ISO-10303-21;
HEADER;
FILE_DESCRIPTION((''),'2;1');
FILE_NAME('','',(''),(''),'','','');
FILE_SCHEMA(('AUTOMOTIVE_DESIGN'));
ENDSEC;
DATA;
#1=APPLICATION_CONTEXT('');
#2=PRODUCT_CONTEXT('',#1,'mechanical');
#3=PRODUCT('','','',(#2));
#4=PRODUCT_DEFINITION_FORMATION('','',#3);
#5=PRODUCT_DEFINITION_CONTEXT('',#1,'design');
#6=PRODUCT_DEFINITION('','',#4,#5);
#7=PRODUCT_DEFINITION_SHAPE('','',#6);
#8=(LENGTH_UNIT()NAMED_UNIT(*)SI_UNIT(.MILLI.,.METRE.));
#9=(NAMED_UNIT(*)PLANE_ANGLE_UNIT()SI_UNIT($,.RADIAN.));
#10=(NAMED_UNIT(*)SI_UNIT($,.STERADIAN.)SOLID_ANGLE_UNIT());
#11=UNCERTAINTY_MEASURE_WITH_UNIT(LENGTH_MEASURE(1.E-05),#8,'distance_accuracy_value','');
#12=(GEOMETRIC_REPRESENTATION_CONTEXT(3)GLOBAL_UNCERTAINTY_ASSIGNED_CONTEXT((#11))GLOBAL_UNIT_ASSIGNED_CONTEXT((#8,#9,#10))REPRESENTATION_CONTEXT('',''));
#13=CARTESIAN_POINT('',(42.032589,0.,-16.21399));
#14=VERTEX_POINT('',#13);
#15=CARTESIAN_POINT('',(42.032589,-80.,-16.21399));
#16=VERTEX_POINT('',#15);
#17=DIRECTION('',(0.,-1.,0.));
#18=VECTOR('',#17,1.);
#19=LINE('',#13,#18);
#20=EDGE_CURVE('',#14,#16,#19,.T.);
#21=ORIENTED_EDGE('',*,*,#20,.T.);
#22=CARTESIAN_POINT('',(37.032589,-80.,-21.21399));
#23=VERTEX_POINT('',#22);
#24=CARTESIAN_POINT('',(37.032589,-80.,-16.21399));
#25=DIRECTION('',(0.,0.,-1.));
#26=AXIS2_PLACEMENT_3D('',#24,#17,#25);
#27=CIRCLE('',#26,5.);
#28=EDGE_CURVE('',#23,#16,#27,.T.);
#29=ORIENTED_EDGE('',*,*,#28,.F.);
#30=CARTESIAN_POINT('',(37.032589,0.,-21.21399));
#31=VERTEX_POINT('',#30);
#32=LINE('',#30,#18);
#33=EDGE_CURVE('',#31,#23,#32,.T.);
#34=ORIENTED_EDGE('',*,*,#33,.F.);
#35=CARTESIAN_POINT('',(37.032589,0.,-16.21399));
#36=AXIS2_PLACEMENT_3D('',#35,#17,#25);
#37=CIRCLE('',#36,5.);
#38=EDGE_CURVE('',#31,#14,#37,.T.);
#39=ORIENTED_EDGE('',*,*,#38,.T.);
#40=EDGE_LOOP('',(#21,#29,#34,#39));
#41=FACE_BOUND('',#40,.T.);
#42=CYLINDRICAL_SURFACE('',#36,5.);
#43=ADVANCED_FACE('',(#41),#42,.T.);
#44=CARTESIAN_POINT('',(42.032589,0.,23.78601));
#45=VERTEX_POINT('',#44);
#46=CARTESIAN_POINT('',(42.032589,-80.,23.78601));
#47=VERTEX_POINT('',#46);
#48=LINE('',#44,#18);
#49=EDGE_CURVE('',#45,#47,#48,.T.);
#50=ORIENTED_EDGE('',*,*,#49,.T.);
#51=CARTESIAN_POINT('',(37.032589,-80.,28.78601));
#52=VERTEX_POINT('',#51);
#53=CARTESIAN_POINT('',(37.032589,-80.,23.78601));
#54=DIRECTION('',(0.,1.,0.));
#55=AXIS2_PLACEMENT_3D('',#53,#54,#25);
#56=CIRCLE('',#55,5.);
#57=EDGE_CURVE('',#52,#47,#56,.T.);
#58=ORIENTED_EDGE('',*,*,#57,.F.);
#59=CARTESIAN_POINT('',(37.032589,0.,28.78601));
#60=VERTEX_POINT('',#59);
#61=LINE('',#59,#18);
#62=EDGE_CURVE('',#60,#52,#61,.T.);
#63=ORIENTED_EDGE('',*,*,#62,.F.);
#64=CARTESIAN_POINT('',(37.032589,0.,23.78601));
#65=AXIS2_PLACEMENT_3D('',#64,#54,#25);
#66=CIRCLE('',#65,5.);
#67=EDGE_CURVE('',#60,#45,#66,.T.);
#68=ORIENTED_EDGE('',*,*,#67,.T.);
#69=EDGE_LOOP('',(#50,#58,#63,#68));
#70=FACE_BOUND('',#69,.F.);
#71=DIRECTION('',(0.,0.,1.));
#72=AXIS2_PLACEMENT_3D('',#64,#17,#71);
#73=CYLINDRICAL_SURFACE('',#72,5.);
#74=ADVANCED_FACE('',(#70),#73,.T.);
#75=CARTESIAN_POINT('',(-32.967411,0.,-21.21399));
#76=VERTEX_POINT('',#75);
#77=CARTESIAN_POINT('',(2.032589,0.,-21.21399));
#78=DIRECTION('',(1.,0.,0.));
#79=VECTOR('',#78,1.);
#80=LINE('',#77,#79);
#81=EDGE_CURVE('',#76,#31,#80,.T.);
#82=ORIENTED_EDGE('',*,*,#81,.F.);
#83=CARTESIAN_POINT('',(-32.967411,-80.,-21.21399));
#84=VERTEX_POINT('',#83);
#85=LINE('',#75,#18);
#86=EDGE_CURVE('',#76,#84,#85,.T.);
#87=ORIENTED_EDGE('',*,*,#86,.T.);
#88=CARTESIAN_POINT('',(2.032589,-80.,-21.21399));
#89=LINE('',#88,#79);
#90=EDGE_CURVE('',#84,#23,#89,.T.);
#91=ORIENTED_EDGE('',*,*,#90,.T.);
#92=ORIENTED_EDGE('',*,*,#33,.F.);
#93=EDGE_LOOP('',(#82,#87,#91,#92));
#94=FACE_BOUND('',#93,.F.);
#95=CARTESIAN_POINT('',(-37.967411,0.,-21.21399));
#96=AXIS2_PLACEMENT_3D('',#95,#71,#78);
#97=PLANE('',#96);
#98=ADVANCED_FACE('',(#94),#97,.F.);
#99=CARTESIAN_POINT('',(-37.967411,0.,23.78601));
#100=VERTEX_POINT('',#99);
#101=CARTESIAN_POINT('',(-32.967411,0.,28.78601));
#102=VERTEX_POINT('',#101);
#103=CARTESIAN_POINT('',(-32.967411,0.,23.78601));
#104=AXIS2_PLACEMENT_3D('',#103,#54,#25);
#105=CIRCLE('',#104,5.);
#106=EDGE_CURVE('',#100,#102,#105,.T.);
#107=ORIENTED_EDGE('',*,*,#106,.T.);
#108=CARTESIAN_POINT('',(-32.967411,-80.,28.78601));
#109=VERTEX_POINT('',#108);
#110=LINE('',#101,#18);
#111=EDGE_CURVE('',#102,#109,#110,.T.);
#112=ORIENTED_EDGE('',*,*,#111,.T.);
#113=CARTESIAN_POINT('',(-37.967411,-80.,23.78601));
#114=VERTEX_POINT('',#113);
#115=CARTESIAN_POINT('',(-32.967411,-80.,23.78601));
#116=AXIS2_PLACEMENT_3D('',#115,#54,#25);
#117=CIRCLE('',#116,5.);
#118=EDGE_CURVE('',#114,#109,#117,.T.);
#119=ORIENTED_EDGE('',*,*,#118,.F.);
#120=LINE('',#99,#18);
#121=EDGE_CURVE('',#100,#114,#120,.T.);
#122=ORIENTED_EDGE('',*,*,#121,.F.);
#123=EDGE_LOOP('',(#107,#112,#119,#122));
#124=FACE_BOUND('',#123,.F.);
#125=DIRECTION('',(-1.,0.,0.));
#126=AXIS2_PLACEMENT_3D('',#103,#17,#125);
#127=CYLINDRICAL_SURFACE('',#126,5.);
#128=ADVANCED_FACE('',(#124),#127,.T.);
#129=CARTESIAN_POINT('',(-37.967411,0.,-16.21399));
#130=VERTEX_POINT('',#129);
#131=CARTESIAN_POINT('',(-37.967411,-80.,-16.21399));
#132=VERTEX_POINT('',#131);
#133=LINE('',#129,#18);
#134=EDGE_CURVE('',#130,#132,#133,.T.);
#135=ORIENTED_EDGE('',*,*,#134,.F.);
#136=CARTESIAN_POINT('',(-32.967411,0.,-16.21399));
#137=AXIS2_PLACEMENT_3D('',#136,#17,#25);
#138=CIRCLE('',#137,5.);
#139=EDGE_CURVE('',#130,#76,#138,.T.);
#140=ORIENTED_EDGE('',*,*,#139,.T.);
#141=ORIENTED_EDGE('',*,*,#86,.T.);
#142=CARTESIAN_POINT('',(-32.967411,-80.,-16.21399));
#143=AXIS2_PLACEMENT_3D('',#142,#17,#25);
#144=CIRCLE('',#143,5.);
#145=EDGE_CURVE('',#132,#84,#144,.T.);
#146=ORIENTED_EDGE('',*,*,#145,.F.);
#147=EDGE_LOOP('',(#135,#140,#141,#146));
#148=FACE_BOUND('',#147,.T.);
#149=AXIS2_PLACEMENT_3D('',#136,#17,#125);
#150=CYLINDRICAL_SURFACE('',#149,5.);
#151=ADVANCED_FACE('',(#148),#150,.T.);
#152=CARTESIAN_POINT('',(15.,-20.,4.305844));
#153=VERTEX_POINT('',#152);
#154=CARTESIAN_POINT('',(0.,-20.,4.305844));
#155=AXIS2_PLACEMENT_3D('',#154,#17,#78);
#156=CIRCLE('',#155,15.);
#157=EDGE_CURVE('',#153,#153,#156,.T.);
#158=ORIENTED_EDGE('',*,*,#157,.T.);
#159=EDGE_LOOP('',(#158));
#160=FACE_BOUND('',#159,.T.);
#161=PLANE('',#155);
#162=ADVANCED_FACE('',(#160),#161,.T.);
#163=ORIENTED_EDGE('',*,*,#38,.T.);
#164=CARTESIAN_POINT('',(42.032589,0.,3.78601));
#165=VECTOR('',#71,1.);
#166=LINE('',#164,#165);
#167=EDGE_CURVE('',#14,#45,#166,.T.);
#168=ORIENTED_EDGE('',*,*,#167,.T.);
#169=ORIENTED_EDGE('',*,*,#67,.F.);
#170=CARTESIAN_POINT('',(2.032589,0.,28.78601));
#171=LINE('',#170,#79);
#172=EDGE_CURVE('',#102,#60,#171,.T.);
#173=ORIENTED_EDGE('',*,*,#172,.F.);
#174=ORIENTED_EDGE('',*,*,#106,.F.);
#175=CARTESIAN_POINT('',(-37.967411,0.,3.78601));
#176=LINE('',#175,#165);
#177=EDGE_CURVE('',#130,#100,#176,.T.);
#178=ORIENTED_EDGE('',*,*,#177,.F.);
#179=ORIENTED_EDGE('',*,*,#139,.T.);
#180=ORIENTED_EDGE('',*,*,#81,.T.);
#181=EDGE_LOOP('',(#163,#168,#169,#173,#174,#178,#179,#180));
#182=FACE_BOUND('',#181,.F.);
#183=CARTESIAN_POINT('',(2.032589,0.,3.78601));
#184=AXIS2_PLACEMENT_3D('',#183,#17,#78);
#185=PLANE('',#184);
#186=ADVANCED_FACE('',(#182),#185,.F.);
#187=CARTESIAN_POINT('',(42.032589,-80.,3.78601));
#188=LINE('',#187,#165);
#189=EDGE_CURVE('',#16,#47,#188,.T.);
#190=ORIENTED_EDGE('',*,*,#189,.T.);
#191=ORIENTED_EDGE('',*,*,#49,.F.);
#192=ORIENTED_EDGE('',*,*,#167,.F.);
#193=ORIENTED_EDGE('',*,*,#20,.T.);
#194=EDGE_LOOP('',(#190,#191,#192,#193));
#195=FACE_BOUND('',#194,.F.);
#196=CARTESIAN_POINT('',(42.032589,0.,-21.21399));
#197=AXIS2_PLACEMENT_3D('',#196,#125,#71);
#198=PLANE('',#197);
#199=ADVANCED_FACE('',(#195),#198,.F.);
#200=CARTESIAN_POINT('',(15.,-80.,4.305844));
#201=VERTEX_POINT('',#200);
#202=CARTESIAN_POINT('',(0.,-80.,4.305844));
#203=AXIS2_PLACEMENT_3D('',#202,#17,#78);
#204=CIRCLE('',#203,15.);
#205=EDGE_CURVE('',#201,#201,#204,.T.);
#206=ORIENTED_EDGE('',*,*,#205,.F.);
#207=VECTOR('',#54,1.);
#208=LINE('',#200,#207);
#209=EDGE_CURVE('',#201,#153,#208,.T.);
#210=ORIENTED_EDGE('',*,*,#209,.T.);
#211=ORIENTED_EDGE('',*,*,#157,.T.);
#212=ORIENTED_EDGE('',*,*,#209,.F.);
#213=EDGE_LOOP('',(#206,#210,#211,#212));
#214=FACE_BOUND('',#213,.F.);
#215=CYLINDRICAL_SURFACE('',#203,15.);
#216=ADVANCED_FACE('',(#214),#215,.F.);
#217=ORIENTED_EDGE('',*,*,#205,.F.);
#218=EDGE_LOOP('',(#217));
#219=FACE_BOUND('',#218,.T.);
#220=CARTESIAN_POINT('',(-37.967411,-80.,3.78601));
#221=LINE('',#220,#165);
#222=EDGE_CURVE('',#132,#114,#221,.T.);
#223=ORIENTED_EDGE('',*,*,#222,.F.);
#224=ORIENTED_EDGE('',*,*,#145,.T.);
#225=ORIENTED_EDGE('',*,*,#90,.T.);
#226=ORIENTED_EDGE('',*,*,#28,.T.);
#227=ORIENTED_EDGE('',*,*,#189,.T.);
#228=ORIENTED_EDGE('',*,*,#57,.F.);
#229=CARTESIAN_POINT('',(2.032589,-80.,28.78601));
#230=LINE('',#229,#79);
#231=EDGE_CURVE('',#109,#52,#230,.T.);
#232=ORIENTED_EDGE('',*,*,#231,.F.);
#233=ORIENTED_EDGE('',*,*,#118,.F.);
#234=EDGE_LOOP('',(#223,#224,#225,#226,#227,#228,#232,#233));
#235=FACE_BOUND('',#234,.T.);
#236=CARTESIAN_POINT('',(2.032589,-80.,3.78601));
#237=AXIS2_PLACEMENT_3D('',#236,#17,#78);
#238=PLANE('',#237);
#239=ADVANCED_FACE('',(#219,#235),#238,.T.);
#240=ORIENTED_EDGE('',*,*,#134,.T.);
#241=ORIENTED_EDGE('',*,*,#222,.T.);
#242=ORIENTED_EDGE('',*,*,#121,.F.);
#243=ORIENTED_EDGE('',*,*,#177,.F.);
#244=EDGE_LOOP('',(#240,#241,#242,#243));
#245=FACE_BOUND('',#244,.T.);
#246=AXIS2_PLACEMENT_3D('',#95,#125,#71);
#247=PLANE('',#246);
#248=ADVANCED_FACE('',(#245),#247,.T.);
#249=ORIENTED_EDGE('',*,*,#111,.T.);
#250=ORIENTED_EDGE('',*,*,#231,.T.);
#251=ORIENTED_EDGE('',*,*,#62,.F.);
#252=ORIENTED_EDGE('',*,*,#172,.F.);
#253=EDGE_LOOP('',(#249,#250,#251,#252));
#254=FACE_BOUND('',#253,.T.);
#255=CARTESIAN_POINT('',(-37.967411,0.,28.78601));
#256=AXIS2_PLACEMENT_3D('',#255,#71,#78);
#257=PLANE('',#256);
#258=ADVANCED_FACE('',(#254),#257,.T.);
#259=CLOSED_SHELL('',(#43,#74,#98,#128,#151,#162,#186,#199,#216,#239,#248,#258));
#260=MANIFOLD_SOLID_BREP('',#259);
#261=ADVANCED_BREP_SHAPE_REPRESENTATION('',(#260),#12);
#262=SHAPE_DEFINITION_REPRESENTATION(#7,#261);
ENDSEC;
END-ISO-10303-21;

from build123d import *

# Parameters (mm, degrees)
F0_W     = 80
F0_H     = 50
F1_DEPTH = 80
F2_R     = 15
F3_DEPTH = 60
F4_R     = 5


with BuildPart() as f1:
    # F0 (on Front) → F1 (new body)
    with BuildSketch(Plane.XZ):
        with Locations((2.032589, 3.78601)):
            Rectangle(F0_W, F0_H)
    extrude(amount=F1_DEPTH)

    # F2 (on face) → F3 (cut)
    with BuildSketch(Plane.XZ.offset(80)):
        with Locations((0, 4.305844)):
            Circle(F2_R)
    extrude(amount=-F3_DEPTH, mode=Mode.SUBTRACT)

    # F4
    f4_edges = [f1.edges().sort_by_distance(p)[0] for p in [
        (-37.967411, -40, 28.78601),
        (42.032589, -40, 28.78601),
        (-37.967411, -40, -21.21399),
        (42.032589, -40, -21.21399),
    ]]
    fillet(f4_edges, radius=F4_R)


solid = f1.part
